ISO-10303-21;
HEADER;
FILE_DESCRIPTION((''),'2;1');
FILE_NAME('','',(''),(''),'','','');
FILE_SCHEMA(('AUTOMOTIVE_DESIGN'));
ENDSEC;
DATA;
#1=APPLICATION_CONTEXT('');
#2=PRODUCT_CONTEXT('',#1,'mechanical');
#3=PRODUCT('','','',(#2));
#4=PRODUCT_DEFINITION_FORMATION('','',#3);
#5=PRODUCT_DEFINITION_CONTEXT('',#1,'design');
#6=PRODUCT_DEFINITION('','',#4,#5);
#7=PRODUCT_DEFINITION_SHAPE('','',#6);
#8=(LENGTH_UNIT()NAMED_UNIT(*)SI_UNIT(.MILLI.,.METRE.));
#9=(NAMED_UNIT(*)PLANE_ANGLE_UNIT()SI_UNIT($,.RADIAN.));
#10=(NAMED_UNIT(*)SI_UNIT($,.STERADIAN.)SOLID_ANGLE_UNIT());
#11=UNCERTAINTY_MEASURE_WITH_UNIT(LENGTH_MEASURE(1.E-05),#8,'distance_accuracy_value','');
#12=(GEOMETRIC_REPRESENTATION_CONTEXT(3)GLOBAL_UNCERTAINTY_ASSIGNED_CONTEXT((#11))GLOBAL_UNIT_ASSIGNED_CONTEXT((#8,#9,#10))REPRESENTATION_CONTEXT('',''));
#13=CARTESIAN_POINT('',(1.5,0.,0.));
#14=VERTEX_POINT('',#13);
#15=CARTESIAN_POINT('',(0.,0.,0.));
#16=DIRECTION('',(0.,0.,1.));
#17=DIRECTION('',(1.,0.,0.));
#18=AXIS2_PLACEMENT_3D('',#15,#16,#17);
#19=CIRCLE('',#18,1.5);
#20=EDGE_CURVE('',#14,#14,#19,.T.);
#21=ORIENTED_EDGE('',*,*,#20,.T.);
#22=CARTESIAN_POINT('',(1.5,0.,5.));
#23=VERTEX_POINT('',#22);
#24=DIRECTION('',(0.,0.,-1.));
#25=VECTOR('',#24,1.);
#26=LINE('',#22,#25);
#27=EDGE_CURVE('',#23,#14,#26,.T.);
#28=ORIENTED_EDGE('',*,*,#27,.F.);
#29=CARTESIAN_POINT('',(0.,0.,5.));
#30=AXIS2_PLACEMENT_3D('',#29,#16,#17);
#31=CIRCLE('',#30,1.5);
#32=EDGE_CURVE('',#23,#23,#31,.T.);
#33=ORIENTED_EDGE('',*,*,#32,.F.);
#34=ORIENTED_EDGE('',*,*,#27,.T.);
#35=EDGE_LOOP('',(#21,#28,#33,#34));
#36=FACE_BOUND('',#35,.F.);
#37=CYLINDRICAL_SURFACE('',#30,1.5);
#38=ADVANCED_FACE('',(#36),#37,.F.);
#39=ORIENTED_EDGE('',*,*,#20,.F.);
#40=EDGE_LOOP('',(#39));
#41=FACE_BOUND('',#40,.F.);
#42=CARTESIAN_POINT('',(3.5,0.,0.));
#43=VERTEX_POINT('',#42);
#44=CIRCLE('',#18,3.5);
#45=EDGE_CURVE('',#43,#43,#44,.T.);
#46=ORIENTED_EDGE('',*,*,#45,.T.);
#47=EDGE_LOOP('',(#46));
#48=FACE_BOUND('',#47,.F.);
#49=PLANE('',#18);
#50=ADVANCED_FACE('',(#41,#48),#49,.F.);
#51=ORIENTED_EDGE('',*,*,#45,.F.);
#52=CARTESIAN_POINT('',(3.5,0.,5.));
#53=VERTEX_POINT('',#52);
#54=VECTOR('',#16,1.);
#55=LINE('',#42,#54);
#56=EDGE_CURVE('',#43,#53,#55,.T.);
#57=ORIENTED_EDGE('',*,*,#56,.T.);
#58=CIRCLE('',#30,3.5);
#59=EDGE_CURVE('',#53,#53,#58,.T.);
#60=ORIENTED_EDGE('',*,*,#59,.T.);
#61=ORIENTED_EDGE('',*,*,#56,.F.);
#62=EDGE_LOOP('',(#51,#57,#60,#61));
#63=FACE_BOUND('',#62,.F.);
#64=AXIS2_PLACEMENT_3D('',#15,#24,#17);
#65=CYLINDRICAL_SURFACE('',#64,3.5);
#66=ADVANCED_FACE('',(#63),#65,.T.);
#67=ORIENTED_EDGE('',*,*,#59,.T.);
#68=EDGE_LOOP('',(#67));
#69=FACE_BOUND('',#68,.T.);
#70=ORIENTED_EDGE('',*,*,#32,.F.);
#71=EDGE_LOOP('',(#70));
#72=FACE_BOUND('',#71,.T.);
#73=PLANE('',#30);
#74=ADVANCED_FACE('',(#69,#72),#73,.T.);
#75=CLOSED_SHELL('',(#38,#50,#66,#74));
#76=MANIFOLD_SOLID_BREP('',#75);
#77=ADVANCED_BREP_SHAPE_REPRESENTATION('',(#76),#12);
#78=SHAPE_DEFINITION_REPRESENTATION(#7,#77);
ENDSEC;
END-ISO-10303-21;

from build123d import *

# Parameters (mm, degrees)
SKETCH_R     = 3.5
PAD_DEPTH    = 5
SKETCH001_R  = 1.5
POCKET_DEPTH = 5


with BuildPart() as part:
    # Sketch → Pad (new body)
    with BuildSketch(Plane.XY):
        Circle(SKETCH_R)
    extrude(amount=PAD_DEPTH)

    # Sketch001 (on Face3 of Pad) → Pocket (cut)
    with BuildSketch(Plane.XY.offset(5)):
        Circle(SKETCH001_R)
    extrude(amount=-POCKET_DEPTH, mode=Mode.SUBTRACT)


solid = part.part
